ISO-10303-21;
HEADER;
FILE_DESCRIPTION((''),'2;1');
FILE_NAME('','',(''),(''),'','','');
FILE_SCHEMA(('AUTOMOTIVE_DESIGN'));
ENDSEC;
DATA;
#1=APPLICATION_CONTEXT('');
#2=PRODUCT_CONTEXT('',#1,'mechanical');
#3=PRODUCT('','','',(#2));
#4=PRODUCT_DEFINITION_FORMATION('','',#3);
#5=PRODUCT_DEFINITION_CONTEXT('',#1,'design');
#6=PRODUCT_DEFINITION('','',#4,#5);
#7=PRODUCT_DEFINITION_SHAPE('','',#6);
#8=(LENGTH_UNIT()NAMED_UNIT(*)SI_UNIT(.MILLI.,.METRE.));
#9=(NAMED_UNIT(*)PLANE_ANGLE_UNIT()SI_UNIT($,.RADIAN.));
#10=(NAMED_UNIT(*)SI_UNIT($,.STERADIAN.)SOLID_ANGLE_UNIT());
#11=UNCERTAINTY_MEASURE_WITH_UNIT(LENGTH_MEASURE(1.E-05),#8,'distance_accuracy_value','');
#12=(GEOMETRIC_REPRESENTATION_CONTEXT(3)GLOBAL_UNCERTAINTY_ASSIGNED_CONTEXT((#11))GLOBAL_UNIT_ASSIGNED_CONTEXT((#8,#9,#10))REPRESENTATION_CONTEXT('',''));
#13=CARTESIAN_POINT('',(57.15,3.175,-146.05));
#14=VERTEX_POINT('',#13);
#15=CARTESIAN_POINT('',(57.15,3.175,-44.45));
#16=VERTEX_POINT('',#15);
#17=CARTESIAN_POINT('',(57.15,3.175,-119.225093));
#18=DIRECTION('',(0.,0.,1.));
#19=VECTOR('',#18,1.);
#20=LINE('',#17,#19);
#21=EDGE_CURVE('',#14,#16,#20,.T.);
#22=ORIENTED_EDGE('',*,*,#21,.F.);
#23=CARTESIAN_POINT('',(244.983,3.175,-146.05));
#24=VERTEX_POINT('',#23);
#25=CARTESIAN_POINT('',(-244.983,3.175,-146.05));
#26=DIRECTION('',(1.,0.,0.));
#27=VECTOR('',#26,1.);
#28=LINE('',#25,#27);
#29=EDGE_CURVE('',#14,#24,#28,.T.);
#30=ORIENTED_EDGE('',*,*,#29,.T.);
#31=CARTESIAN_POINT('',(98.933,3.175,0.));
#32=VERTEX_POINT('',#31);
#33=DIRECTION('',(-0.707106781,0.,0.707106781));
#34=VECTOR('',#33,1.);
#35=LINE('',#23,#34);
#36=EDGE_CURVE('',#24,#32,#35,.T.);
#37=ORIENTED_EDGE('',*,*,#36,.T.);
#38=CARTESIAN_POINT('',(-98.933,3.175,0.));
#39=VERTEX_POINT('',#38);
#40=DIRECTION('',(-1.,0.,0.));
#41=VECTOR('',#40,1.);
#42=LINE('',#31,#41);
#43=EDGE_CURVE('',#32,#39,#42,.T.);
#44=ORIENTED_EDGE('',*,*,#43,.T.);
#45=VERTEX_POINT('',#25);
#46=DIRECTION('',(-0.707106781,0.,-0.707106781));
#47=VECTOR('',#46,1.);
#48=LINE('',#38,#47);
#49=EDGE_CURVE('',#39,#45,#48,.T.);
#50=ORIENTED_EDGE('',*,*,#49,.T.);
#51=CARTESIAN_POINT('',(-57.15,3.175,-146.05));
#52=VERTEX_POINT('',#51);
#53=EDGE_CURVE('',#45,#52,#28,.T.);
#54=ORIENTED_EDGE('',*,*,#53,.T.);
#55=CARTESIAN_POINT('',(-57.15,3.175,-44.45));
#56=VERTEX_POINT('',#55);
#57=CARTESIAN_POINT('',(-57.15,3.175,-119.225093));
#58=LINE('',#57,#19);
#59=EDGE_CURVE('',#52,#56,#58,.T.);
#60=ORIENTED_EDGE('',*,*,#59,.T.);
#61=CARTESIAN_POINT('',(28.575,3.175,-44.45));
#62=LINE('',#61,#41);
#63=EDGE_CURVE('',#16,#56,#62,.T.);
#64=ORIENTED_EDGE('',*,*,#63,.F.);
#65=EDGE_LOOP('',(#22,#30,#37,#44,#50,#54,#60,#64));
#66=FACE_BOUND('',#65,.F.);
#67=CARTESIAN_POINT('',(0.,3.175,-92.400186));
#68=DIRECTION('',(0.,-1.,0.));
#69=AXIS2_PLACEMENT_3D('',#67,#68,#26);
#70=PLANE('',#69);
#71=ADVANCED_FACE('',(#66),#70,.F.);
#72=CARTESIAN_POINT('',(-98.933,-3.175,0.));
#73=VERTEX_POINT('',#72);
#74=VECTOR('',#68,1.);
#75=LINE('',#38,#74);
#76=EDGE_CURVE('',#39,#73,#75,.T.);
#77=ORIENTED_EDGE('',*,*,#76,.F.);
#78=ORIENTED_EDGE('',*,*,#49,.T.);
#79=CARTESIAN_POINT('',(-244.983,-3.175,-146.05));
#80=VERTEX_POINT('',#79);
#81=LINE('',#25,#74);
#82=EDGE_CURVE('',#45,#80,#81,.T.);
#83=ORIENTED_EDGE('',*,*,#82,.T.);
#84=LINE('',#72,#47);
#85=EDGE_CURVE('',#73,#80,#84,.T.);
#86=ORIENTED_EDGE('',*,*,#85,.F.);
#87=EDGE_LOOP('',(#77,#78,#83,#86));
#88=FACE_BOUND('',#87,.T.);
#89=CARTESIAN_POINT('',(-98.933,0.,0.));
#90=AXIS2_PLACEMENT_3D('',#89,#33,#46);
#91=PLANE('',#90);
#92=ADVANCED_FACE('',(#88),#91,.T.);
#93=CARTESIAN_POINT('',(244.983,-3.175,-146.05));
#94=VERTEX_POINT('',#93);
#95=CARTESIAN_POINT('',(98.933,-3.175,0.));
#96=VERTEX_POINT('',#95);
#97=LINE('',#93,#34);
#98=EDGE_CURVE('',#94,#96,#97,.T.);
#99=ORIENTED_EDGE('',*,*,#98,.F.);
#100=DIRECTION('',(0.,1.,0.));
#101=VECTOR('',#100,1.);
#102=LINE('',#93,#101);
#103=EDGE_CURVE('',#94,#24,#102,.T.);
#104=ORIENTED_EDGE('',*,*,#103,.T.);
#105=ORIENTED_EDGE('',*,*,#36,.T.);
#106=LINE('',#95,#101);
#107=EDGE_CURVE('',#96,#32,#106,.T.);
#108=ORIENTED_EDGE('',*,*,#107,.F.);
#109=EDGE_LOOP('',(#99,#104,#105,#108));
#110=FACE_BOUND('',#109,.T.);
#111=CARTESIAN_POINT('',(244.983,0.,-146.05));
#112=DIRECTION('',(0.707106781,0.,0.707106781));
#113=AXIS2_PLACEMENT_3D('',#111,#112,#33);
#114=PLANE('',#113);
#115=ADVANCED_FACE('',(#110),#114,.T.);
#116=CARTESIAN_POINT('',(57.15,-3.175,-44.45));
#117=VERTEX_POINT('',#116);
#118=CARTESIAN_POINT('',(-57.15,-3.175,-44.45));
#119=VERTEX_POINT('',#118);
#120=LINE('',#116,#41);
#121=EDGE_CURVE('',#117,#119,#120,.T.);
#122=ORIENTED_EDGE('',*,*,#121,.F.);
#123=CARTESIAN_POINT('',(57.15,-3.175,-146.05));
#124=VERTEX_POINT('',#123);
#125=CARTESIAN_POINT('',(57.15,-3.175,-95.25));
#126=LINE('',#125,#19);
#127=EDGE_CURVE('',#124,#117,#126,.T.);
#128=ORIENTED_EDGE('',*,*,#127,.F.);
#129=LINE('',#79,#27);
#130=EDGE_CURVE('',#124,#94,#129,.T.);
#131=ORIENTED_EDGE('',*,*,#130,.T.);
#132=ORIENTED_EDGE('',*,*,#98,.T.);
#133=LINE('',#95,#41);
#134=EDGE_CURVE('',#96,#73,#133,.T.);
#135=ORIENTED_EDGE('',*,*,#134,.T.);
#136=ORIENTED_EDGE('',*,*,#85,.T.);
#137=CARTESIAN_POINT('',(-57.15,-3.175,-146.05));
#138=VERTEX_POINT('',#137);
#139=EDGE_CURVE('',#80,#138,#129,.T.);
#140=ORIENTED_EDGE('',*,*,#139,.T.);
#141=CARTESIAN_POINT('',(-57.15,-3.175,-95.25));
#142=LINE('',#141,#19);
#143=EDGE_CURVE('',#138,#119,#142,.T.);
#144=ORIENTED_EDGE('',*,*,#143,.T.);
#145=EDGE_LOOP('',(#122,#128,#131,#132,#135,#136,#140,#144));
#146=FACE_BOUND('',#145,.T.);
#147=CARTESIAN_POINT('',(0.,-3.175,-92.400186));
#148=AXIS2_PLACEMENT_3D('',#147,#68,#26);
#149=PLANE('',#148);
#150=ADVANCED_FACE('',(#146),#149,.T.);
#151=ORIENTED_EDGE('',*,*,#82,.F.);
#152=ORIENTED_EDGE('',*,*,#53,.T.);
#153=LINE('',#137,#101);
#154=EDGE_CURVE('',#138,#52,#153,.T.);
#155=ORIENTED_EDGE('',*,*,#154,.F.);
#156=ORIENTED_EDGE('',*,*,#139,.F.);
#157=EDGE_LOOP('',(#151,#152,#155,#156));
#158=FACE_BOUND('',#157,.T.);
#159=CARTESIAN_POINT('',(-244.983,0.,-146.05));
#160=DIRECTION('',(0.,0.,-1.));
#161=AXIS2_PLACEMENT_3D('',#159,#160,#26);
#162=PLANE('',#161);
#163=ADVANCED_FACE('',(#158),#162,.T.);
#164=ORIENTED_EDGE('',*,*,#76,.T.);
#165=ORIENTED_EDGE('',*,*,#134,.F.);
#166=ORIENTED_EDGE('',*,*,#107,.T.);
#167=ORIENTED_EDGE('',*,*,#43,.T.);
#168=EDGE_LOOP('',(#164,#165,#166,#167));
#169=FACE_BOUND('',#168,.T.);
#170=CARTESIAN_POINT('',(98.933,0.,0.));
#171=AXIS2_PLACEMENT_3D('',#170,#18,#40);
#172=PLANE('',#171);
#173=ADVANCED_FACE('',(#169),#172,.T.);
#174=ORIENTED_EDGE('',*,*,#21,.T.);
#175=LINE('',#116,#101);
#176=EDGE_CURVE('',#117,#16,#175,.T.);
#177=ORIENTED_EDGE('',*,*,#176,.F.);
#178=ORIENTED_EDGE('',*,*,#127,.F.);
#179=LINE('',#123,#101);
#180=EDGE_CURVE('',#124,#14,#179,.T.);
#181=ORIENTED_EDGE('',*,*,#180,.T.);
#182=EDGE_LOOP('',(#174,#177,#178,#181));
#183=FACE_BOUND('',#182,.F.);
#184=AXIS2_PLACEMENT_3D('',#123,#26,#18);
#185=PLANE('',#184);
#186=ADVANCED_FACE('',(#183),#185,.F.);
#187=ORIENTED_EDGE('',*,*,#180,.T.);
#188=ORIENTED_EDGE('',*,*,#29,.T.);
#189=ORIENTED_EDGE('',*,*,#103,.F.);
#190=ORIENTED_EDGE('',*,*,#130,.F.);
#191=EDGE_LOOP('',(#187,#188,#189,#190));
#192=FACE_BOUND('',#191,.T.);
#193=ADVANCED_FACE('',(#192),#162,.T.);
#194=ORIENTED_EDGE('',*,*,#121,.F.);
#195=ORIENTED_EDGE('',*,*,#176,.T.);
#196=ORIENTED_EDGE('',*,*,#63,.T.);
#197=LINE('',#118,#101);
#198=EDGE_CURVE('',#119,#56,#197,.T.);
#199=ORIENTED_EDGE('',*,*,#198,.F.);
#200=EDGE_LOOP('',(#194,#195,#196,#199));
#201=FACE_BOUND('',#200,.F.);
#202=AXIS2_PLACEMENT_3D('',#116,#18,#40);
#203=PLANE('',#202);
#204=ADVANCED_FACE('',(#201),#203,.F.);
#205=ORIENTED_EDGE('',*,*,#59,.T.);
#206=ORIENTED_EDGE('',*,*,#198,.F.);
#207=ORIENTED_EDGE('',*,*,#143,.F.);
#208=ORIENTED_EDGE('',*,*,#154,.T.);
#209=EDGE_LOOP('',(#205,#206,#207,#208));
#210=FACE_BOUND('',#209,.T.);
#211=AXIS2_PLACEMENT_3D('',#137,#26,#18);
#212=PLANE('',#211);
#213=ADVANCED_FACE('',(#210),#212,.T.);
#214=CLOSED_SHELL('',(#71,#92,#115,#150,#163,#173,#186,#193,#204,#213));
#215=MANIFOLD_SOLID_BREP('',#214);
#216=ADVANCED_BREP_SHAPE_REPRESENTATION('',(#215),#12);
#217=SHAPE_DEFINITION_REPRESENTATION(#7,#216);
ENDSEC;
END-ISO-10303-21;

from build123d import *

# Parameters (mm, degrees)
F1_DEPTH = 3.175
F2_W     = 57.15
F2_H     = 101.6
F3_DEPTH = 6.351


with BuildPart() as f1:
    # F0 (on Front) → F1 (new body, symmetric)
    with BuildSketch(Plane.XZ):
        Polygon((98.933, 0), (-98.933, 0), (-244.983, -146.05), (244.983, -146.05), align=None)
    extrude(amount=F1_DEPTH, both=True)

    # F2 (on face) → F3 (cut, through all)
    with BuildSketch(Plane.XZ.offset(3.175)):
        with Locations((28.575, -95.25)):
            Rectangle(F2_W, F2_H)
        with Locations((-28.575, -95.25)):
            Rectangle(F2_W, F2_H)
    extrude(amount=-F3_DEPTH, mode=Mode.SUBTRACT)


solid = f1.part
